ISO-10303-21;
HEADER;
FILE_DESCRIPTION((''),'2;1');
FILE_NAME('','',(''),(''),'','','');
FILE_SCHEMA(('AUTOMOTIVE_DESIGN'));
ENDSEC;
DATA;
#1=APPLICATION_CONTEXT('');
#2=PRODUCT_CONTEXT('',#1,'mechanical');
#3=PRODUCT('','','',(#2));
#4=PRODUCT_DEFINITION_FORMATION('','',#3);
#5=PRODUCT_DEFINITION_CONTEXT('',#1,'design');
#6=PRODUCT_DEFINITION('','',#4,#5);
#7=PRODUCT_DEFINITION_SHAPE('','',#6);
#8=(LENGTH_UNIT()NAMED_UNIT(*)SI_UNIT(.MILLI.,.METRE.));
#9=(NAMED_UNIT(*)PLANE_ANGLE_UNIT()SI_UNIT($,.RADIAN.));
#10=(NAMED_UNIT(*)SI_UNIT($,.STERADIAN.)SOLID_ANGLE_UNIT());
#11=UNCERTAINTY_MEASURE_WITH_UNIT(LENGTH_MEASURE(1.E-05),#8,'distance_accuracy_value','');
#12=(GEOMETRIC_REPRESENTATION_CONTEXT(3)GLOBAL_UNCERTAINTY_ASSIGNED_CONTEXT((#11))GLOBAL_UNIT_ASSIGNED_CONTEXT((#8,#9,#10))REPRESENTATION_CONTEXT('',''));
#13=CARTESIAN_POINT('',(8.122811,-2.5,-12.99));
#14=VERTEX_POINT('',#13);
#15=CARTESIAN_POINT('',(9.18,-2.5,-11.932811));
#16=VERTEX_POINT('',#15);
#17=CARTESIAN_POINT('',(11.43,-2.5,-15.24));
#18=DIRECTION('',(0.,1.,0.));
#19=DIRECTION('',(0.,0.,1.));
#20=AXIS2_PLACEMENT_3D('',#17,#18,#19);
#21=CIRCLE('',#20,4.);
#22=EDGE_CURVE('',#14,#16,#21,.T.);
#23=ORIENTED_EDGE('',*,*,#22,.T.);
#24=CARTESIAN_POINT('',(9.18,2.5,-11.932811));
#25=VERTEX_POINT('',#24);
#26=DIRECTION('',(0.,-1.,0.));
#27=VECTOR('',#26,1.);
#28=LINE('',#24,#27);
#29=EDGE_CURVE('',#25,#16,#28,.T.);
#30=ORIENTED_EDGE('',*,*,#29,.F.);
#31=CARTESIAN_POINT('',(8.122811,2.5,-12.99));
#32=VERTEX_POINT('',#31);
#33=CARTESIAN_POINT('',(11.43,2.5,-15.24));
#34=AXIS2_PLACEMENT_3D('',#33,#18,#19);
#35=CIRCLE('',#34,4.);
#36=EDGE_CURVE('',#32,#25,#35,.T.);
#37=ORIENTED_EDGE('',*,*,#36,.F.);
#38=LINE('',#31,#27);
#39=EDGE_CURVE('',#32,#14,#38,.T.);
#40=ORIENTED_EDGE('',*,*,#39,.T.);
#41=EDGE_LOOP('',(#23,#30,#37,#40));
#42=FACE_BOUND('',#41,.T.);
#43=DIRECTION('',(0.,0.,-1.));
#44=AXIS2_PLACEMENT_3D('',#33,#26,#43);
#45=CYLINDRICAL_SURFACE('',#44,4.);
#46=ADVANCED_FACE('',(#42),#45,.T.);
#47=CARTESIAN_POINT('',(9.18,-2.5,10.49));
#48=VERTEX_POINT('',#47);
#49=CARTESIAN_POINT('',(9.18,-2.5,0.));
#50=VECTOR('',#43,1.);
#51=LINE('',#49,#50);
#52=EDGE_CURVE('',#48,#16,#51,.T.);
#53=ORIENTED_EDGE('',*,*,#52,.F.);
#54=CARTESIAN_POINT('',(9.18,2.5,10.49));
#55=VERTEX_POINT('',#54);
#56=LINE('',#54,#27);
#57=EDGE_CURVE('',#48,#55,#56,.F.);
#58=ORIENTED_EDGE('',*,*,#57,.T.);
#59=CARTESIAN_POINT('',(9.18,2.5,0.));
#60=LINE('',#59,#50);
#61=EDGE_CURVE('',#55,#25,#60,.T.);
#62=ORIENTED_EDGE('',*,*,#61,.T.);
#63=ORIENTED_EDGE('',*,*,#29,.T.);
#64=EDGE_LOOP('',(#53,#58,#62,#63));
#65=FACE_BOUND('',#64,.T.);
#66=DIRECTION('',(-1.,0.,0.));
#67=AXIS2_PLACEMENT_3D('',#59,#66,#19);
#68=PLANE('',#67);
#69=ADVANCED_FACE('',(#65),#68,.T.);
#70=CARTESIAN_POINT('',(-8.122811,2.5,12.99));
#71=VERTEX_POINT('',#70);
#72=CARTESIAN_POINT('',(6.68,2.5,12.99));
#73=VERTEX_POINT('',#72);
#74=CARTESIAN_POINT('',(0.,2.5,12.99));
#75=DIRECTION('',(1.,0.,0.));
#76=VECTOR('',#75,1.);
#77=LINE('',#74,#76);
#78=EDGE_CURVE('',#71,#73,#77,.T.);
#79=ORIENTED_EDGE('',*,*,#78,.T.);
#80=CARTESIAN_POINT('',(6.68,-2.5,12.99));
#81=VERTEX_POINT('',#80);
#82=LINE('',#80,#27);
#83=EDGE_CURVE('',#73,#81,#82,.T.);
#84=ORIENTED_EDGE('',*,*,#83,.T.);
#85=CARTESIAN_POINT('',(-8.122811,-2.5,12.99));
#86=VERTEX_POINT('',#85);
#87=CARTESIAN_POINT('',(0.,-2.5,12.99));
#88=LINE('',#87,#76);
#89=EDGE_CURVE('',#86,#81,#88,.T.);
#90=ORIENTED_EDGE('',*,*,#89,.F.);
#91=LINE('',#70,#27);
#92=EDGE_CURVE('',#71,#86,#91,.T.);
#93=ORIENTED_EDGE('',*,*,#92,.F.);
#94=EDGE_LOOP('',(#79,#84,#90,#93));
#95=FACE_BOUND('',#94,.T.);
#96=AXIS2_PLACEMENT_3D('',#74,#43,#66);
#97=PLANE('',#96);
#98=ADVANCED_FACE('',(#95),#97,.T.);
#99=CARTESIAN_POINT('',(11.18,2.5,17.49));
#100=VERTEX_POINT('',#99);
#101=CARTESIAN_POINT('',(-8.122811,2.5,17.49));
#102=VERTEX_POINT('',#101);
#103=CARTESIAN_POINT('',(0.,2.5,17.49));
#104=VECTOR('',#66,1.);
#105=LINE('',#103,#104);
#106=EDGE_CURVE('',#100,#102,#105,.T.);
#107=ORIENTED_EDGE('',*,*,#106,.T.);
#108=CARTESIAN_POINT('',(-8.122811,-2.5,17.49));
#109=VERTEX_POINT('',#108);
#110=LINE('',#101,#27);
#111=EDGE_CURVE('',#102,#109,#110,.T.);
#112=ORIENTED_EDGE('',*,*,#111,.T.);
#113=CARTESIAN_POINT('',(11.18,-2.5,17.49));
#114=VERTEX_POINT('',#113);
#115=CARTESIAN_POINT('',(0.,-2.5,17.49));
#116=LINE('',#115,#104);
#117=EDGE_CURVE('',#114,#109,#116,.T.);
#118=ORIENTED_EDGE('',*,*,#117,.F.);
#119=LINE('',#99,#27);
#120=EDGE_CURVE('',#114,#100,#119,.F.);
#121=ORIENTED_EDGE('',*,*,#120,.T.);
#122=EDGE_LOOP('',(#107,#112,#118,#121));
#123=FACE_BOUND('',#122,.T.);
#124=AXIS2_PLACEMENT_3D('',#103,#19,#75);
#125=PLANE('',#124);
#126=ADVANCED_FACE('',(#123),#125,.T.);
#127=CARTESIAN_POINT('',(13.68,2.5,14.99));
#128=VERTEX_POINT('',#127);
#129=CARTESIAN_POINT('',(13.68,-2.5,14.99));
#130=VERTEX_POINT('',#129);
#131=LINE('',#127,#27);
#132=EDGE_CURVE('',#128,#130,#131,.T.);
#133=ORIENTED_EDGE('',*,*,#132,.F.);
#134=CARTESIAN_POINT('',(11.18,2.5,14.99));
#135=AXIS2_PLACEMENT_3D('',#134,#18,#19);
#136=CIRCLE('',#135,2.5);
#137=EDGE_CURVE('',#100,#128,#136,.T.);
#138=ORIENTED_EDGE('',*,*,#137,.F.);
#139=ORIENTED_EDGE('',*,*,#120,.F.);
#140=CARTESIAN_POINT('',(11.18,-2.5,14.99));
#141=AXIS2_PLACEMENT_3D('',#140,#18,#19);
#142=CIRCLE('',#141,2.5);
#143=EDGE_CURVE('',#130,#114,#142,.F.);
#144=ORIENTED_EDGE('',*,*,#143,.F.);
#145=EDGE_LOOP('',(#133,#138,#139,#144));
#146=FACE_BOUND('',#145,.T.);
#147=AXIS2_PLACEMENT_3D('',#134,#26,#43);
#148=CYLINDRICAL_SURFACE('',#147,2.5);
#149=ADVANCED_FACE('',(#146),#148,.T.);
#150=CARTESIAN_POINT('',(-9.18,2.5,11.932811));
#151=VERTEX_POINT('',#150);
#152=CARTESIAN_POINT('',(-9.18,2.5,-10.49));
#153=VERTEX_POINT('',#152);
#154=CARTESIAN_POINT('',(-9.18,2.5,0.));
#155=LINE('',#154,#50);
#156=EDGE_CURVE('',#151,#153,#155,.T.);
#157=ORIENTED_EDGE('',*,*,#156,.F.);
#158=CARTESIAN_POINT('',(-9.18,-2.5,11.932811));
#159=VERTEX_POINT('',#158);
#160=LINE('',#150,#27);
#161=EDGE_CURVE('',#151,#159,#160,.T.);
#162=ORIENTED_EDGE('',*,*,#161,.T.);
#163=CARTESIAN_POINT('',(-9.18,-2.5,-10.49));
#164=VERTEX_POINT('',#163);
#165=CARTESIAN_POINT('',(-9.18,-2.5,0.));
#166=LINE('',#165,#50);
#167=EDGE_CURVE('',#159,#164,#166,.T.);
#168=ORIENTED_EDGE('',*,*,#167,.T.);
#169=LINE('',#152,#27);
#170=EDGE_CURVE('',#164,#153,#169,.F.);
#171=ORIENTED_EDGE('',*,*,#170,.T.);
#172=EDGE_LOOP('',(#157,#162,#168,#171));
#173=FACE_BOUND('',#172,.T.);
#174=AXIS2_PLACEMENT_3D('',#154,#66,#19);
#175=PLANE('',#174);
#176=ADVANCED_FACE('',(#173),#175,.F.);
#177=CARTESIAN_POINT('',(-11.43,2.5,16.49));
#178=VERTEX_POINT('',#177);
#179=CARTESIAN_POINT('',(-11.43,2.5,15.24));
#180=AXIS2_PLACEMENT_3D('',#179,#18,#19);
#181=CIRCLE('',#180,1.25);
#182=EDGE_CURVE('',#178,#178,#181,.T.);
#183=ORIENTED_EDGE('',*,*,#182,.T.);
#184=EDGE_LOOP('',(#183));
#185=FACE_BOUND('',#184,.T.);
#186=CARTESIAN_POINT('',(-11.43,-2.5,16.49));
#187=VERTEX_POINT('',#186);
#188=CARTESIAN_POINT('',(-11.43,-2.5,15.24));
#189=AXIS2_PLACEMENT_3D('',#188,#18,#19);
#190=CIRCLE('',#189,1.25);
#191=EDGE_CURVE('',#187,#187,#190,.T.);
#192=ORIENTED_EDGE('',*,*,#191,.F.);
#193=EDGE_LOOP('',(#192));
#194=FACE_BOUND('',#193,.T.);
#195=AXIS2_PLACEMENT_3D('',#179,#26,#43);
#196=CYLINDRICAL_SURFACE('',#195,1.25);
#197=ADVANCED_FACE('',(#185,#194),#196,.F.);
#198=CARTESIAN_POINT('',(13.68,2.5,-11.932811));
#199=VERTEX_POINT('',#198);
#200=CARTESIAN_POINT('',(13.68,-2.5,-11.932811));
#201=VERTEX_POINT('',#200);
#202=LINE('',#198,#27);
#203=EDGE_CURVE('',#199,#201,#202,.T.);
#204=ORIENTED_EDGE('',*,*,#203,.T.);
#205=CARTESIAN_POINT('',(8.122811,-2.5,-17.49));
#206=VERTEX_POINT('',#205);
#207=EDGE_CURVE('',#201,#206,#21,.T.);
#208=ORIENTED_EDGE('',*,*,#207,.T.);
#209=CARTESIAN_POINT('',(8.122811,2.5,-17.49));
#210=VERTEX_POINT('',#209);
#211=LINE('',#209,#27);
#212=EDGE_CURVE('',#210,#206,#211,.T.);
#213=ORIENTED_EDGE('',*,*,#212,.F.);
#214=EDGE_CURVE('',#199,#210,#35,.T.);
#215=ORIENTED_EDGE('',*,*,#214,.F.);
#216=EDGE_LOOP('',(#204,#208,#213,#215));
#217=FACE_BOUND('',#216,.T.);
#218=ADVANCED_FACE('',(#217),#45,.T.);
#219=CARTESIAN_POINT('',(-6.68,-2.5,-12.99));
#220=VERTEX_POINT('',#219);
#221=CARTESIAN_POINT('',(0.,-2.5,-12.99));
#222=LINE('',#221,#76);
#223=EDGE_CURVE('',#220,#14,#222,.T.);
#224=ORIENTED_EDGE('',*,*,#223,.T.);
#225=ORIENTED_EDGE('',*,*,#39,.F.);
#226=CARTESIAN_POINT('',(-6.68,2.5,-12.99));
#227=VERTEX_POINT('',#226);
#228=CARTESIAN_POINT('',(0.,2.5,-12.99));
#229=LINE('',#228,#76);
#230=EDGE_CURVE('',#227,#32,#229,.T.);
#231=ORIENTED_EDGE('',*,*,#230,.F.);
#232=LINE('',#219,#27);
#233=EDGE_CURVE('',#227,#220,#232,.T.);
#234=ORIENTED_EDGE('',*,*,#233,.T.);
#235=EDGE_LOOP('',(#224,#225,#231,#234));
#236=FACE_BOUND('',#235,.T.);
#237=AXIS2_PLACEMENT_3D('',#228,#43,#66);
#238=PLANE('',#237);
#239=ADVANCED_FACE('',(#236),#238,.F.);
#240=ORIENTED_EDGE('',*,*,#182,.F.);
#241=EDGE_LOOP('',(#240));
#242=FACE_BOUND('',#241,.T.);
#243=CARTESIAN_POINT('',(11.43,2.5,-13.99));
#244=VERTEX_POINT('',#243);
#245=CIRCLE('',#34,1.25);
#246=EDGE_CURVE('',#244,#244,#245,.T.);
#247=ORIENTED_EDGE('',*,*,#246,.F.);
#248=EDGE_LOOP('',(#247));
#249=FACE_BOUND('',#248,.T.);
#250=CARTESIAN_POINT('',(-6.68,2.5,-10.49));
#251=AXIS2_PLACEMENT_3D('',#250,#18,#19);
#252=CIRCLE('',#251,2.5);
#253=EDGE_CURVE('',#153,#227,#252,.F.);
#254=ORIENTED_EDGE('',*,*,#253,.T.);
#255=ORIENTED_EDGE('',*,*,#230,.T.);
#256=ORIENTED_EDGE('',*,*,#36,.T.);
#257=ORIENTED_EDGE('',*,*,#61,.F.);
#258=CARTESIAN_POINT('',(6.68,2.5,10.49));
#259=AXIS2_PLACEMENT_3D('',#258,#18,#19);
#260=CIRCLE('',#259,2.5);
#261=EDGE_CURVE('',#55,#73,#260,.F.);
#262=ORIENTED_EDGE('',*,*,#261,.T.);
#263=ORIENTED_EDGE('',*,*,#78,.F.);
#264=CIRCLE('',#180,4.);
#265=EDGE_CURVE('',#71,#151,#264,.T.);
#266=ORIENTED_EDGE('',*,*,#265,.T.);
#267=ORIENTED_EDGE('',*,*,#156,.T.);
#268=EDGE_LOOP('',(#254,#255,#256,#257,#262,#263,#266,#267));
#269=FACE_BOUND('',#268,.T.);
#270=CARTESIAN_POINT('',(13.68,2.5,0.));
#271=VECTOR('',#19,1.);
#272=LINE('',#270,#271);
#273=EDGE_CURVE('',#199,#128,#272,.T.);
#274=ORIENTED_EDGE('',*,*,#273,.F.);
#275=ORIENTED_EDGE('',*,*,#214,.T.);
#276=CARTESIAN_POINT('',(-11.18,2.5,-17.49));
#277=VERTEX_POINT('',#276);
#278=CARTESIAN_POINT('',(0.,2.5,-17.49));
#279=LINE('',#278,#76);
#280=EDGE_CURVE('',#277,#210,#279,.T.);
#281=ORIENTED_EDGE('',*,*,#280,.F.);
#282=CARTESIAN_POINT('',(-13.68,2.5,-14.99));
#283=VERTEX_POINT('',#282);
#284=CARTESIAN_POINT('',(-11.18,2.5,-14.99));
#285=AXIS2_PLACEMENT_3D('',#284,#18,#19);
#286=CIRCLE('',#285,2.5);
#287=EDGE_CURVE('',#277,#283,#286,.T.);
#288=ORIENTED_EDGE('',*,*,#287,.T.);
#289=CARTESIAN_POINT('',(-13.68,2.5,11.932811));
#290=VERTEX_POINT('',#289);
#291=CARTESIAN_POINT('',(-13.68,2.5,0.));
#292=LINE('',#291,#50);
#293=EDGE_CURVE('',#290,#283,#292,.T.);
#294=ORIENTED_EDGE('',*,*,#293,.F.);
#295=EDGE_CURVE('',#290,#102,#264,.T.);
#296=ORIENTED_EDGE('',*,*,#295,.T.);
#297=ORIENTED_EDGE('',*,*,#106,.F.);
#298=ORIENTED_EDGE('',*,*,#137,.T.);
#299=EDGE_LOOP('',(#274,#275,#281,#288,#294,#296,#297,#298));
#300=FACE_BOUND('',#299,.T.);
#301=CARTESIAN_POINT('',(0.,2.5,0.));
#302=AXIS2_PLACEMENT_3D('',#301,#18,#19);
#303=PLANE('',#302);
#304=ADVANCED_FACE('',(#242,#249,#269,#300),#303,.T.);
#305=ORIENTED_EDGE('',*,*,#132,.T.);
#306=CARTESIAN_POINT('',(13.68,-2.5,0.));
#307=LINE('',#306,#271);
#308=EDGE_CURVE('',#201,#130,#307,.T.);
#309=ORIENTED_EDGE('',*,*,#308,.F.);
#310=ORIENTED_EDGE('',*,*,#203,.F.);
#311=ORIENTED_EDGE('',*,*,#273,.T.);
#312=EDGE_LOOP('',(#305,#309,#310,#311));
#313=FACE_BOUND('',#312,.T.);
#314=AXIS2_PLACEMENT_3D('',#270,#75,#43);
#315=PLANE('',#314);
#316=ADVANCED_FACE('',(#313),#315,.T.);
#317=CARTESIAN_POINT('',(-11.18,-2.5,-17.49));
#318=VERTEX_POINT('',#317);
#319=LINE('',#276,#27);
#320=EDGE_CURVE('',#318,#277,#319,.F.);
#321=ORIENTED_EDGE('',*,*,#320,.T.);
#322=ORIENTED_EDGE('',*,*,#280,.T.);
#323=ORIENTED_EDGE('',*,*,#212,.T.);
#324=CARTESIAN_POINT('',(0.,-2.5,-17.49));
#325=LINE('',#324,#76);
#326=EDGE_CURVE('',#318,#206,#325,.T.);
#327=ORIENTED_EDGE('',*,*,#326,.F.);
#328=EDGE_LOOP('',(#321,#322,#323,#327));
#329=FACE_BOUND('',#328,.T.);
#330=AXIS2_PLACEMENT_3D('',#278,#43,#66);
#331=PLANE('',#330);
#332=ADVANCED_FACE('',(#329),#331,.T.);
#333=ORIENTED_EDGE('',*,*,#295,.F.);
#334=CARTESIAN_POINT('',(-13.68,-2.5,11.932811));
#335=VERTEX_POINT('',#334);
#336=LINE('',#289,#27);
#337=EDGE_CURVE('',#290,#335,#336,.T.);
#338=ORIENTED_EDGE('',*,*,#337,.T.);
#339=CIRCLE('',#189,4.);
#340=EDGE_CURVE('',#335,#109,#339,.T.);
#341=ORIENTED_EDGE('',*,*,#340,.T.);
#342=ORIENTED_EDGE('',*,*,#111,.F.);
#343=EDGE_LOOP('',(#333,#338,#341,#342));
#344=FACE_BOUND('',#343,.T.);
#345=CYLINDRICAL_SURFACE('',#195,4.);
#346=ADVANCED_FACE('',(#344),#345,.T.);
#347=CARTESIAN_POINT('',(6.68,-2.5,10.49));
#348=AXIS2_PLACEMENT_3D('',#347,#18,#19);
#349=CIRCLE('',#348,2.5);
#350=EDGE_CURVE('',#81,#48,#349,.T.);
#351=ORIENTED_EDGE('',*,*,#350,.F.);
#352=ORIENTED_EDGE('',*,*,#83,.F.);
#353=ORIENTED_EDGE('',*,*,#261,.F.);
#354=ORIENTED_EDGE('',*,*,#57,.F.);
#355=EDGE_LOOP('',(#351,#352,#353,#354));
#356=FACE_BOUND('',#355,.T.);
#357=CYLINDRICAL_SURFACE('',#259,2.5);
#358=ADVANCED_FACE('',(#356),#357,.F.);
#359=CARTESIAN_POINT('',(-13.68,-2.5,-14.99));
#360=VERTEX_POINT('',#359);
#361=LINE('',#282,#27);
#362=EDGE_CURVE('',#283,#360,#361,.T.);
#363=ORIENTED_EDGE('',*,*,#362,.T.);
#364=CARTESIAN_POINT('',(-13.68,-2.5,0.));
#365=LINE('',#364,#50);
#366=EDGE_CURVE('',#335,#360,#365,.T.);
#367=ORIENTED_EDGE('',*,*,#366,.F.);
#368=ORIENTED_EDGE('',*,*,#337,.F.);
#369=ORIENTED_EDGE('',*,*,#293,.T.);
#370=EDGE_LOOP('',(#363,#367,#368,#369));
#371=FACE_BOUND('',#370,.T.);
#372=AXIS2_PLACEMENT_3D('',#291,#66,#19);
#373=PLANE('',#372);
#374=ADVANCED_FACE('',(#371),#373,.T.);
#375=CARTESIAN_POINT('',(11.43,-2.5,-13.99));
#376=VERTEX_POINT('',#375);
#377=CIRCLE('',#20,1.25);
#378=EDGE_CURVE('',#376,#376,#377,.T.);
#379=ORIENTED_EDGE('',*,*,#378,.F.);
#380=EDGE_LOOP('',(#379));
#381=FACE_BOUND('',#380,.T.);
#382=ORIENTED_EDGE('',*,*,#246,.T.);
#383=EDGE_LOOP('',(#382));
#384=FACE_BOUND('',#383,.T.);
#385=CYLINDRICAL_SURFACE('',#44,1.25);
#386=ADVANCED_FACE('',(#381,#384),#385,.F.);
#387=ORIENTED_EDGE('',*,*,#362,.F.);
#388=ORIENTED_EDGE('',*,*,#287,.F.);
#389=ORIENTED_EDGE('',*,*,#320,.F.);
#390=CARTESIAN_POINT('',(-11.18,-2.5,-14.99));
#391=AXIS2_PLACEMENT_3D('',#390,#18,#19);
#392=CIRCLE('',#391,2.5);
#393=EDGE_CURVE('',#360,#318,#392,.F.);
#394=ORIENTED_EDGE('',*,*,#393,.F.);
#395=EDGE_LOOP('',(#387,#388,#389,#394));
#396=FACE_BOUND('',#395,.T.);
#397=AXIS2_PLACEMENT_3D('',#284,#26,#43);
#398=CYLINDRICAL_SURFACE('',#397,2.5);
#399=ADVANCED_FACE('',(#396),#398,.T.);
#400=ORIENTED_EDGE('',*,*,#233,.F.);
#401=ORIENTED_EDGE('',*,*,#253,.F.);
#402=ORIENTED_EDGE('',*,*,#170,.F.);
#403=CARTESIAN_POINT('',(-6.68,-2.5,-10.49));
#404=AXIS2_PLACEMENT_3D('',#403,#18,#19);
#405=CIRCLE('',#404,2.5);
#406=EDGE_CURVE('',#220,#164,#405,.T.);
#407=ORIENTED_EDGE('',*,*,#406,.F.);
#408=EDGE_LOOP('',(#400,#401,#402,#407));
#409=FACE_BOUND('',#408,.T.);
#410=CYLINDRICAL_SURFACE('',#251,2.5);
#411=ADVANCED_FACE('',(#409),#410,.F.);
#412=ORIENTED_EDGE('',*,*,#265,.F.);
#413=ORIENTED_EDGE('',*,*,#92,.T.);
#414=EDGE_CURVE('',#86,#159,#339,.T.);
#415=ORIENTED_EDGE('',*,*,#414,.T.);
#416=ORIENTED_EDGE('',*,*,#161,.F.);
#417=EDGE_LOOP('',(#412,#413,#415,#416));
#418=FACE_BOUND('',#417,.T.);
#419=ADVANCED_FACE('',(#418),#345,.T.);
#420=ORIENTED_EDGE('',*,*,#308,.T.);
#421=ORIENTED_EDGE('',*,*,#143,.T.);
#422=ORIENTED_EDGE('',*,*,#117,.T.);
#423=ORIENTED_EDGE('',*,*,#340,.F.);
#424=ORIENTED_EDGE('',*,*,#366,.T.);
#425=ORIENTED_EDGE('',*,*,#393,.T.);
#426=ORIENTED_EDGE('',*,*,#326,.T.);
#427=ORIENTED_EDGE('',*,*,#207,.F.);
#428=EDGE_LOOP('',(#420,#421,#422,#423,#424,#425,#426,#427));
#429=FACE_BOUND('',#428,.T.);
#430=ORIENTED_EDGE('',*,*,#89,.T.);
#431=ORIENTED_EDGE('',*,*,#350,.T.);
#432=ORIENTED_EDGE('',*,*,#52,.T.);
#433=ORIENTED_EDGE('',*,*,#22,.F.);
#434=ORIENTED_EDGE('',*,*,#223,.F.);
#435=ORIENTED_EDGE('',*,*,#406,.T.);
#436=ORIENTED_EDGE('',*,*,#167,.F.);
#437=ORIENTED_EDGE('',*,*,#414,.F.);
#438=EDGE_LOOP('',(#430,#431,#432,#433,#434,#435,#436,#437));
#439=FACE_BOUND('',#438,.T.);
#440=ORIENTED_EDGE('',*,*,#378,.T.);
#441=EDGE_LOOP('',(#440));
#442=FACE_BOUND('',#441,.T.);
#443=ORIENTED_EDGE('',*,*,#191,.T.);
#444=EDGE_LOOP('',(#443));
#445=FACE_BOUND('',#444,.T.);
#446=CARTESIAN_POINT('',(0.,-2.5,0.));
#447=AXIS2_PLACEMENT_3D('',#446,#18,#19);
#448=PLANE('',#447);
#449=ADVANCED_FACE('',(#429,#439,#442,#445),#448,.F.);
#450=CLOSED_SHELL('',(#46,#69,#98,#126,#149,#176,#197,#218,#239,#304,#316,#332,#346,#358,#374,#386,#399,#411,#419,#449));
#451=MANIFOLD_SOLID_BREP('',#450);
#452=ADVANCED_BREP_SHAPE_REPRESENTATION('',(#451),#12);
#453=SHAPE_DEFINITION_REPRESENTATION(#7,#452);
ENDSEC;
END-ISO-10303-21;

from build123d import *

# Parameters (mm, degrees)
CROQUIS1_R              = 4
CROQUIS1_R_2            = 1.25
SALIENTE_EXTRUIR1_DEPTH = 2.5
REDONDEO1_R             = 2.5


with BuildPart() as part:
    # Croquis1 → Saliente-Extruir1 (new, symmetric)
    # profile 1 of 4: a face of its own
    with BuildSketch(Plane(origin=(0, 0, 0), x_dir=(1, 0, 0), z_dir=(0, 1, 0))):
        with BuildLine():
            Line((-13.68, 17.49), (-13.68, -11.932810861))
            ThreePointArc((-13.68, -11.932810861), (-11.43, -11.24), (-9.18, -11.932810861))
            Line((-9.18, -11.932810861), (-9.18, 12.99))
            Line((-9.18, 12.99), (8.122810861, 12.99))
            ThreePointArc((8.122810861, 12.99), (7.43, 15.24), (8.122810861, 17.49))
            Line((8.122810861, 17.49), (-13.68, 17.49))
        make_face()
    # profile 2 of 4: a face of its own
    with BuildSketch(Plane(origin=(0, 0, 0), x_dir=(1, 0, 0), z_dir=(0, 1, 0))):
        with BuildLine():
            ThreePointArc((-7.43, -15.24), (-7.607124344, -16.417124344), (-8.122810861, -17.49))
            Line((-8.122810861, -17.49), (13.68, -17.49))
            Line((13.68, -17.49), (13.68, 11.932810861))
            ThreePointArc((13.68, 11.932810861), (11.43, 11.24), (9.18, 11.932810861))
            Line((9.18, 11.932810861), (9.18, -12.99))
            Line((9.18, -12.99), (-8.122810861, -12.99))
            ThreePointArc((-8.122810861, -12.99), (-7.607124344, -14.062875656), (-7.43, -15.24))
        make_face()
    # profile 3 of 4: a face of its own
    with BuildSketch(Plane(origin=(0, 0, 0), x_dir=(1, 0, 0), z_dir=(0, 1, 0))):
        with Locations((11.43, 15.24)):
            Circle(CROQUIS1_R)
        with Locations(Location((11.43, 15.24, 0), (0, 0, 270))):
            Circle(CROQUIS1_R_2, mode=Mode.SUBTRACT)
    # profile 4 of 4: a face of its own
    with BuildSketch(Plane(origin=(0, 0, 0), x_dir=(1, 0, 0), z_dir=(0, 1, 0))):
        with Locations((-11.43, -15.24)):
            Circle(CROQUIS1_R)
        with Locations(Location((-11.43, -15.24, 0), (0, 0, 270))):
            Circle(CROQUIS1_R_2, mode=Mode.SUBTRACT)
    extrude(amount=SALIENTE_EXTRUIR1_DEPTH, both=True)

    # Redondeo1
    redondeo1_edges = [part.edges().sort_by_distance(p)[0] for p in [
        (-9.18, 0, -12.99),
        (9.18, 0, 12.99),
        (13.68, 0, 17.49),
        (-13.68, 0, -17.49),
    ]]
    fillet(redondeo1_edges, radius=REDONDEO1_R)


solid = part.part
